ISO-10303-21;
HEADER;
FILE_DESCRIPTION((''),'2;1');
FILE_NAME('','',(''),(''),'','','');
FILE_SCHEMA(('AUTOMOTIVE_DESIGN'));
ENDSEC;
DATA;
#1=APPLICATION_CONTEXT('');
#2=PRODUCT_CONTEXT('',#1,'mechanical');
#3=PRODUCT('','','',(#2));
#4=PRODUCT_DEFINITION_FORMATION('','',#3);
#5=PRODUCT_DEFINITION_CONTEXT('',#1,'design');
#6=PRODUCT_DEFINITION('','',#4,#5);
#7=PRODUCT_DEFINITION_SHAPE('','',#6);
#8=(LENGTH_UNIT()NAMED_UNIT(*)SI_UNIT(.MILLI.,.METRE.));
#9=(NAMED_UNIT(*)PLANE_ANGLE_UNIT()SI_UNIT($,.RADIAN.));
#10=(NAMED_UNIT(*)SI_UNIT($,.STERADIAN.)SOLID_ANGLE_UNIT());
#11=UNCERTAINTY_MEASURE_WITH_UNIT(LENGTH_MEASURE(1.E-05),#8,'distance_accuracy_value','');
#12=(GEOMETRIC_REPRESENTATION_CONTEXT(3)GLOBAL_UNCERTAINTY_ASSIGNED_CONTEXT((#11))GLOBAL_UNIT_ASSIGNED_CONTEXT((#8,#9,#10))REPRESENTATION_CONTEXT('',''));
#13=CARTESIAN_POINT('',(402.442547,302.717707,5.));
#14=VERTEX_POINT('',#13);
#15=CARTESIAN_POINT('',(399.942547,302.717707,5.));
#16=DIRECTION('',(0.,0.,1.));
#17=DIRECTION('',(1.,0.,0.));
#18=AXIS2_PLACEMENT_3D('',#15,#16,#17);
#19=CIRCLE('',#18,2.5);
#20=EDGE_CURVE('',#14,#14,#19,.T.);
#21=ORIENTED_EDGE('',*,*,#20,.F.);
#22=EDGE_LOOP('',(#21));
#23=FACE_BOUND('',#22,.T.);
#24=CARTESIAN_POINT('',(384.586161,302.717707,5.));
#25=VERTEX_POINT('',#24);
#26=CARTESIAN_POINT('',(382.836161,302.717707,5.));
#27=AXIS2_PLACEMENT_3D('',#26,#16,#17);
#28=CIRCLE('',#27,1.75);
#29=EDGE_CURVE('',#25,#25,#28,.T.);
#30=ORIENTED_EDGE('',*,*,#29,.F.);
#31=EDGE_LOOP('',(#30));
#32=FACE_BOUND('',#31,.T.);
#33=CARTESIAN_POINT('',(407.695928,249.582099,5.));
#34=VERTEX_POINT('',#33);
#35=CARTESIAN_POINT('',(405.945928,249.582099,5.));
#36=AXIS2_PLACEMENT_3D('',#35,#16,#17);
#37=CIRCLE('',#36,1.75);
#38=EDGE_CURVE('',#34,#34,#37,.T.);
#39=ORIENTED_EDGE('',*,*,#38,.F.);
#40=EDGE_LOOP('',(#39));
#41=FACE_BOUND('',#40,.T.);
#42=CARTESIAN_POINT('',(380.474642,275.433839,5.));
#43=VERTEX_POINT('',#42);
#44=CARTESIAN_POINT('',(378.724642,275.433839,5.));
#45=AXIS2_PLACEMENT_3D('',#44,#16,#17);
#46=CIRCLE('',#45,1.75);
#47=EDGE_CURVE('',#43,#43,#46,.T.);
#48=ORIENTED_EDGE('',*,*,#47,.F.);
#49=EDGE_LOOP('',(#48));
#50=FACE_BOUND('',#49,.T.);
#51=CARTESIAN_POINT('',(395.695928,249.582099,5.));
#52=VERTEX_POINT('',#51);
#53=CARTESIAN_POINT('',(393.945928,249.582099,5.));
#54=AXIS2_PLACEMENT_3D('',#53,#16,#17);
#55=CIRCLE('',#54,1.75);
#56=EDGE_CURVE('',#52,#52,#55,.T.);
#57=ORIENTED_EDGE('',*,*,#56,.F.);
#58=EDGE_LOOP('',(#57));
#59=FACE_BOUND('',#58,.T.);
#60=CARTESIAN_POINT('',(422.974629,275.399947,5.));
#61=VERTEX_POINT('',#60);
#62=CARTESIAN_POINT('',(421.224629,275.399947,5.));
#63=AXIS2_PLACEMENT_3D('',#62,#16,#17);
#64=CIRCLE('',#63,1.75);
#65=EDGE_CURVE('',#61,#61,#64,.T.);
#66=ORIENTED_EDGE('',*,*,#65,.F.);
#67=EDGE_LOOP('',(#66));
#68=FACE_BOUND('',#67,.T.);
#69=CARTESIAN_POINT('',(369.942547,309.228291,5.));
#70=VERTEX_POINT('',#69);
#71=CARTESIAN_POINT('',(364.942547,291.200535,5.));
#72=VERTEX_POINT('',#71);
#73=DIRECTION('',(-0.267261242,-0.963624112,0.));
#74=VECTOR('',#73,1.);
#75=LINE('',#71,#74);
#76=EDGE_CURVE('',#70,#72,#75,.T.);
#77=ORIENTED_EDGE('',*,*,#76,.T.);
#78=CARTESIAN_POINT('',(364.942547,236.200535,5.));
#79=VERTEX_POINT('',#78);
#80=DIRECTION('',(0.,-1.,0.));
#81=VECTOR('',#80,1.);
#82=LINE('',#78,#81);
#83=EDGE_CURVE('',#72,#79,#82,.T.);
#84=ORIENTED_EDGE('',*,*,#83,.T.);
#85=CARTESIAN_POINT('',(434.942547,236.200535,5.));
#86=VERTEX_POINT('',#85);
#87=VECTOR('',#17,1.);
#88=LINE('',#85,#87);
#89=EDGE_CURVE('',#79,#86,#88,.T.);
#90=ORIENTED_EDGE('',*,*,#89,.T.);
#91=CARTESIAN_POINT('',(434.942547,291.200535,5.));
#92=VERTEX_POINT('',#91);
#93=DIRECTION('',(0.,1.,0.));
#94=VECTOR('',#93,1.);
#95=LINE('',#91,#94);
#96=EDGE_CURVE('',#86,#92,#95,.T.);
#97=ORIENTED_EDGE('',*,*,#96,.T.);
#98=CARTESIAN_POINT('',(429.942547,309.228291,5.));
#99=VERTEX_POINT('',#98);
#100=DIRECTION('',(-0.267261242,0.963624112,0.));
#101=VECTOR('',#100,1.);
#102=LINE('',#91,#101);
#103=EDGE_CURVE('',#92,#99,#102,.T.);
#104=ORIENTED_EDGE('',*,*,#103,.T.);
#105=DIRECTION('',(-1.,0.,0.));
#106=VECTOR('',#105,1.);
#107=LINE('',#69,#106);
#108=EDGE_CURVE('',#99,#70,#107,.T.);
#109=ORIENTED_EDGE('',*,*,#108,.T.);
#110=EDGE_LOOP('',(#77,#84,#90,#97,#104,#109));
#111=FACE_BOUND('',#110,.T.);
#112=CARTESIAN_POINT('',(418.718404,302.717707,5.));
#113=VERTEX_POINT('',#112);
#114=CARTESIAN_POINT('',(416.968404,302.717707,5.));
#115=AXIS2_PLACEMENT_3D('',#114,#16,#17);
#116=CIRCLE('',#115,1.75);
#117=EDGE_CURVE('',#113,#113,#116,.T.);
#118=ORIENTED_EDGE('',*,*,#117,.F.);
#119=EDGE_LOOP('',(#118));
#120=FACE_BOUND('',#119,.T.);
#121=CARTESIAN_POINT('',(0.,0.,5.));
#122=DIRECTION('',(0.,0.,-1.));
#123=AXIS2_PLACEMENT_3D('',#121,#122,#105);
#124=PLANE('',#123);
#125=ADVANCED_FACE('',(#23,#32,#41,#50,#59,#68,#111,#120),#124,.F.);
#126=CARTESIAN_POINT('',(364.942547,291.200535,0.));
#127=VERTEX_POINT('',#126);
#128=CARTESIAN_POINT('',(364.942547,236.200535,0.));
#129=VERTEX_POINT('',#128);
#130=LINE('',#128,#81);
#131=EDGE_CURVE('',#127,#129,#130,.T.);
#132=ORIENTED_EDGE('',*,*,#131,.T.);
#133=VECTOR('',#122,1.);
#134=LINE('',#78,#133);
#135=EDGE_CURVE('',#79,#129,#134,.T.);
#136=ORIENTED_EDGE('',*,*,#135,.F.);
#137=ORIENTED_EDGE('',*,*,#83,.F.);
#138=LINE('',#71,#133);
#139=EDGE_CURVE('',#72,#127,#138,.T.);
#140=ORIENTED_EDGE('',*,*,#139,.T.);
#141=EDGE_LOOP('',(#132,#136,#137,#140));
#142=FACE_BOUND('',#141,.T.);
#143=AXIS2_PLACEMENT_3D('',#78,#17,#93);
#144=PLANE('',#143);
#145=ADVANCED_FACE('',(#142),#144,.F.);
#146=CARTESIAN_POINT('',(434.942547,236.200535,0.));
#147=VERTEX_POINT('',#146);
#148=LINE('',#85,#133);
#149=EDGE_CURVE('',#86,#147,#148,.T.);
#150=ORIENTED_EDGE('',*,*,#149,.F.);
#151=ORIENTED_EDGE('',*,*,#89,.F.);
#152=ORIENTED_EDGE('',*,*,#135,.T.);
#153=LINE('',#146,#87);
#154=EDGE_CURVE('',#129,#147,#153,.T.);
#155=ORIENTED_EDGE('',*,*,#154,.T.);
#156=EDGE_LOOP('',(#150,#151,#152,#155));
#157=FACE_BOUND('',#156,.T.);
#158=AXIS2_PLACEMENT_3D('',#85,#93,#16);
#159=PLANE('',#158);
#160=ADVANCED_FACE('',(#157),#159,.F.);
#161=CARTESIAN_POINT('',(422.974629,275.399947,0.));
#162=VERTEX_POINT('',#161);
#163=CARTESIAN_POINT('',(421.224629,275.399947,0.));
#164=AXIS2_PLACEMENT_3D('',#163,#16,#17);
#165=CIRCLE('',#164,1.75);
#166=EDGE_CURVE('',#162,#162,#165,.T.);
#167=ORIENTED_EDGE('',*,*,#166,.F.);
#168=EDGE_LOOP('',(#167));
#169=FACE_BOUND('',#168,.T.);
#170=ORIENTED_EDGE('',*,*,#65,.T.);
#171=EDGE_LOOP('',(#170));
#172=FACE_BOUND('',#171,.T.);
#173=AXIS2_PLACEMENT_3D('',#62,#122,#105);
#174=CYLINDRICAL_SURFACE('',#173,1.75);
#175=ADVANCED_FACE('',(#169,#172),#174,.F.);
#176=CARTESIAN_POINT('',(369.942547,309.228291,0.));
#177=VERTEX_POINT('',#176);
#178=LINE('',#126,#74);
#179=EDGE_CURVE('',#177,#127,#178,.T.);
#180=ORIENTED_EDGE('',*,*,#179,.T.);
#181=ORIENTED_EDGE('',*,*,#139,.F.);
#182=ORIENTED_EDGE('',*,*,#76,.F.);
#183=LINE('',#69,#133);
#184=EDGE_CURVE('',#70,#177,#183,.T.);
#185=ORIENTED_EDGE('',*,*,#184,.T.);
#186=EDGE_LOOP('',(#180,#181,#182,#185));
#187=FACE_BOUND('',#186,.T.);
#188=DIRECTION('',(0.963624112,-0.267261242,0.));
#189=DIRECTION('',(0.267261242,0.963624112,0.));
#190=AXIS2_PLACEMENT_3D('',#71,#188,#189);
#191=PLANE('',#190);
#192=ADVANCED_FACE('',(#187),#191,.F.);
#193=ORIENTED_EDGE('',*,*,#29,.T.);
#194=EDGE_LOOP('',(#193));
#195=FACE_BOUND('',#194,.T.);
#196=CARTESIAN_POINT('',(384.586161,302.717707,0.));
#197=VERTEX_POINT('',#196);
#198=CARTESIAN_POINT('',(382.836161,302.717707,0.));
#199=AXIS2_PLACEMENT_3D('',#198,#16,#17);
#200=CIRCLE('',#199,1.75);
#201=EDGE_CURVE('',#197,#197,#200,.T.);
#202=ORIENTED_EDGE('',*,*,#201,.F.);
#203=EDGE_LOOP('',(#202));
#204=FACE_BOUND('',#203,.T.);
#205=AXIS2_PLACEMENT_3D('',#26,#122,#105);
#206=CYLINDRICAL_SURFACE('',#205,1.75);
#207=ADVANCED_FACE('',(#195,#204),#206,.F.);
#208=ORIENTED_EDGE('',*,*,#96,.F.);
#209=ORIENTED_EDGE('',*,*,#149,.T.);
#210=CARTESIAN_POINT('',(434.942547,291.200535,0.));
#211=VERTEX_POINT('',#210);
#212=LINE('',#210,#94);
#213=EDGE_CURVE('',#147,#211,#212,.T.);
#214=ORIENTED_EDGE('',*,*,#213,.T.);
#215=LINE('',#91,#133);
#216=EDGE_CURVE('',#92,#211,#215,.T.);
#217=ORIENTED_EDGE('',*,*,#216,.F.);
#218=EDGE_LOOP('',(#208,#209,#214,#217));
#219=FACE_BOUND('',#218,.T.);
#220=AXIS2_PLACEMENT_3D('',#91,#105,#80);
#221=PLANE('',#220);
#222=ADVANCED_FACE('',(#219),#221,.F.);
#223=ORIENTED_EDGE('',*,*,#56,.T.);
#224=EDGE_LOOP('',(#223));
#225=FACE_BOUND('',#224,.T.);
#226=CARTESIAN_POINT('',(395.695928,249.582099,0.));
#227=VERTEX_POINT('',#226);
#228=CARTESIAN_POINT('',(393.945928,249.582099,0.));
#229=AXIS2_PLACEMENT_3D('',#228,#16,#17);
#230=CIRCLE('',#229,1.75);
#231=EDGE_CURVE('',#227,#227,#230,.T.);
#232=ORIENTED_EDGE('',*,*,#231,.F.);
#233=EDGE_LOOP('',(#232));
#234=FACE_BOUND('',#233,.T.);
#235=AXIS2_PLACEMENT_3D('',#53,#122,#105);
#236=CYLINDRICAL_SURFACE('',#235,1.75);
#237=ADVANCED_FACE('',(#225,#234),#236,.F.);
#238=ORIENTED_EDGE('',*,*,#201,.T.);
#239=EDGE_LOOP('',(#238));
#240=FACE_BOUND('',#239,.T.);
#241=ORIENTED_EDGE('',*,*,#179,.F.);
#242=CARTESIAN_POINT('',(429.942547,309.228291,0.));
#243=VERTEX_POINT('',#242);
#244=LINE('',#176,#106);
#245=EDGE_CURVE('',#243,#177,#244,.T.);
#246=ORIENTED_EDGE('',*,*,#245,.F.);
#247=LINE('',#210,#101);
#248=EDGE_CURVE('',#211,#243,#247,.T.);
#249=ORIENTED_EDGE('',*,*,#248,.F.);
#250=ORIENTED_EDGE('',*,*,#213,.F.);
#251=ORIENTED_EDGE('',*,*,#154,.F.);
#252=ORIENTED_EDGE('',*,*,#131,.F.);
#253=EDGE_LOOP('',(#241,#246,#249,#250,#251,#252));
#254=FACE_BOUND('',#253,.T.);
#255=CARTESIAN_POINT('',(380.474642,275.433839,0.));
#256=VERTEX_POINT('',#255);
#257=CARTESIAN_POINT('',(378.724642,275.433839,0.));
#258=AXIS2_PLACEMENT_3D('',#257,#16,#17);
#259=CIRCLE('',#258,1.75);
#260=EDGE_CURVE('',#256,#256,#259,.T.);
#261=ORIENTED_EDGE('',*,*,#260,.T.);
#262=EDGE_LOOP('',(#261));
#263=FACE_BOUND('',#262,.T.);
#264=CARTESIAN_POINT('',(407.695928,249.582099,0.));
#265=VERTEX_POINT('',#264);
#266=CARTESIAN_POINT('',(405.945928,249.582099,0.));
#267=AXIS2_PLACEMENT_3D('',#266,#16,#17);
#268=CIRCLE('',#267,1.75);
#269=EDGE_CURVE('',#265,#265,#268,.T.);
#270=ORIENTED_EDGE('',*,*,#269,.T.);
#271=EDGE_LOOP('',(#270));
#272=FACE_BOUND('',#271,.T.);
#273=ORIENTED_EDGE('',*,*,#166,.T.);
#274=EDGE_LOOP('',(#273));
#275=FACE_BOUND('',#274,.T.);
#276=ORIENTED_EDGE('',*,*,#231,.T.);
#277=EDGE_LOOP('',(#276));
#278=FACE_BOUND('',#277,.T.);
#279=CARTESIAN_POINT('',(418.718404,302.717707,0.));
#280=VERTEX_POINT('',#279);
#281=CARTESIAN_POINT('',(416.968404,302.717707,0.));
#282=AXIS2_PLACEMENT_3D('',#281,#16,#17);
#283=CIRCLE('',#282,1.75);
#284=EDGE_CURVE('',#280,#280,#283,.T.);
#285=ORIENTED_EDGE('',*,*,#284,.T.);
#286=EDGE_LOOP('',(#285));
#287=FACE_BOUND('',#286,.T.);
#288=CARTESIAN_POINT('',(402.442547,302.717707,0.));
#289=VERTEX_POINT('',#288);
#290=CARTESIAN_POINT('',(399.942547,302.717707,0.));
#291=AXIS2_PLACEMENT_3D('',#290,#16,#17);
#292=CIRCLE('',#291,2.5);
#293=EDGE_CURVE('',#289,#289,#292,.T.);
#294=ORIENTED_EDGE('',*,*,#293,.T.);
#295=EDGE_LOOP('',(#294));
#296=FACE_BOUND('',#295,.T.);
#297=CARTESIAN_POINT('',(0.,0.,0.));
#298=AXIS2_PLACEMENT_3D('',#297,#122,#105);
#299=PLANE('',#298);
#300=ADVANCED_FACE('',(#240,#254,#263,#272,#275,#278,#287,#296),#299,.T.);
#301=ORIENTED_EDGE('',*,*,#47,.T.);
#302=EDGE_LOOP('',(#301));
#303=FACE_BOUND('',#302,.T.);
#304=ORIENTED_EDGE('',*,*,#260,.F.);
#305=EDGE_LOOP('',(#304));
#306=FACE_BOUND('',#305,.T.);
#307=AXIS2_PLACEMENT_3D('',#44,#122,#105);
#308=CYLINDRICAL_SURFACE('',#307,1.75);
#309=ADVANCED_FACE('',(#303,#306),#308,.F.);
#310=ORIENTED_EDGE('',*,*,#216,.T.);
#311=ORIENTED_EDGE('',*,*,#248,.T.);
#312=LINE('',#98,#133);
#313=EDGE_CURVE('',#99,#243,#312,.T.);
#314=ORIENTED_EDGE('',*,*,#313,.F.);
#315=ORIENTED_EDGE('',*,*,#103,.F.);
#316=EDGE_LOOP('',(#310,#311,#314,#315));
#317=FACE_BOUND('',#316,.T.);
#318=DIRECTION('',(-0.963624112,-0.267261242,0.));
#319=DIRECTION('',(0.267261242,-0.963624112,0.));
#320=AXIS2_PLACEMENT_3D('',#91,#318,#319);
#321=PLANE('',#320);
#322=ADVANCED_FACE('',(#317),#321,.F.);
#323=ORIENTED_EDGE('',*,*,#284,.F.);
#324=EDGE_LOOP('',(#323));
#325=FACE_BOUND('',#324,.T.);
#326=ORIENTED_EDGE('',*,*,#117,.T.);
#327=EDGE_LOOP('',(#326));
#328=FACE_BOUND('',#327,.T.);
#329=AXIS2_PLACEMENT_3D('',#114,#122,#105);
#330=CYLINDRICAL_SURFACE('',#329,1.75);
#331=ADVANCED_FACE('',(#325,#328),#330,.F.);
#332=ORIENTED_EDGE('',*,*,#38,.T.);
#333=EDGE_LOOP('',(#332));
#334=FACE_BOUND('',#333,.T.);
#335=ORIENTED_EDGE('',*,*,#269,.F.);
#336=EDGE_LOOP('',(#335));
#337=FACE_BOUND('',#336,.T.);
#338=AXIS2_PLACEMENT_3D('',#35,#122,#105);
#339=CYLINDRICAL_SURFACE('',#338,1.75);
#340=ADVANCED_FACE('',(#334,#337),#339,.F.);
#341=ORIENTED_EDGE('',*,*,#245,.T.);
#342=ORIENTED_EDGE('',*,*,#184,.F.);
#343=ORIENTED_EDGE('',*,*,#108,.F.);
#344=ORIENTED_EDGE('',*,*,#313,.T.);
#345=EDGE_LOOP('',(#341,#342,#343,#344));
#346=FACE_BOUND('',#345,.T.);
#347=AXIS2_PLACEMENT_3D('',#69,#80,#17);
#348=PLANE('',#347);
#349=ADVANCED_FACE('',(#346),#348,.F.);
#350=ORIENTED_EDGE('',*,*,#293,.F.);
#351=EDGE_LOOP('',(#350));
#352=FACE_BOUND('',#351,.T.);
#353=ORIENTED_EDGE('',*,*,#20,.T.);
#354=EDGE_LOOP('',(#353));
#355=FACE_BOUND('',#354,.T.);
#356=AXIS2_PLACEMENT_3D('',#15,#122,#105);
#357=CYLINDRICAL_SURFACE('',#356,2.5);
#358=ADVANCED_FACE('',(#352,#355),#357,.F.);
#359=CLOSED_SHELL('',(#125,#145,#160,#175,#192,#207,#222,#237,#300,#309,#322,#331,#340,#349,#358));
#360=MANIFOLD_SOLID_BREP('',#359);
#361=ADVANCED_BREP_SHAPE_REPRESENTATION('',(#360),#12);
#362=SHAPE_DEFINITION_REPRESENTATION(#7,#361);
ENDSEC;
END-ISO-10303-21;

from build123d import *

# Parameters (mm, degrees)
SKETCH1_R           = 1.75
SKETCH1_R_2         = 2.5
BOSS_EXTRUDE1_DEPTH = 5


with BuildPart() as part:
    # Sketch1 → Boss-Extrude1 (new body)
    with BuildSketch(Plane.XY):
        Polygon((434.94254699, 291.200534556), (434.94254699, 236.200534556), (364.94254699, 236.200534556), (364.94254699, 291.200534556), (369.94254699, 309.228290933), (429.94254699, 309.228290933), align=None)
        with Locations((421.224628764, 275.399946991)):
            Circle(SKETCH1_R, mode=Mode.SUBTRACT)
        with Locations((378.724642278, 275.433838704)):
            Circle(SKETCH1_R, mode=Mode.SUBTRACT)
        with Locations((393.945927789, 249.582098582)):
            Circle(SKETCH1_R, mode=Mode.SUBTRACT)
        with Locations((405.945927789, 249.582098582)):
            Circle(SKETCH1_R, mode=Mode.SUBTRACT)
        with Locations((382.83616052, 302.717706753)):
            Circle(SKETCH1_R, mode=Mode.SUBTRACT)
        with Locations((416.968403726, 302.717706753)):
            Circle(SKETCH1_R, mode=Mode.SUBTRACT)
        with Locations((399.94254699, 302.717706753)):
            Circle(SKETCH1_R_2, mode=Mode.SUBTRACT)
    extrude(amount=BOSS_EXTRUDE1_DEPTH)


solid = part.part
